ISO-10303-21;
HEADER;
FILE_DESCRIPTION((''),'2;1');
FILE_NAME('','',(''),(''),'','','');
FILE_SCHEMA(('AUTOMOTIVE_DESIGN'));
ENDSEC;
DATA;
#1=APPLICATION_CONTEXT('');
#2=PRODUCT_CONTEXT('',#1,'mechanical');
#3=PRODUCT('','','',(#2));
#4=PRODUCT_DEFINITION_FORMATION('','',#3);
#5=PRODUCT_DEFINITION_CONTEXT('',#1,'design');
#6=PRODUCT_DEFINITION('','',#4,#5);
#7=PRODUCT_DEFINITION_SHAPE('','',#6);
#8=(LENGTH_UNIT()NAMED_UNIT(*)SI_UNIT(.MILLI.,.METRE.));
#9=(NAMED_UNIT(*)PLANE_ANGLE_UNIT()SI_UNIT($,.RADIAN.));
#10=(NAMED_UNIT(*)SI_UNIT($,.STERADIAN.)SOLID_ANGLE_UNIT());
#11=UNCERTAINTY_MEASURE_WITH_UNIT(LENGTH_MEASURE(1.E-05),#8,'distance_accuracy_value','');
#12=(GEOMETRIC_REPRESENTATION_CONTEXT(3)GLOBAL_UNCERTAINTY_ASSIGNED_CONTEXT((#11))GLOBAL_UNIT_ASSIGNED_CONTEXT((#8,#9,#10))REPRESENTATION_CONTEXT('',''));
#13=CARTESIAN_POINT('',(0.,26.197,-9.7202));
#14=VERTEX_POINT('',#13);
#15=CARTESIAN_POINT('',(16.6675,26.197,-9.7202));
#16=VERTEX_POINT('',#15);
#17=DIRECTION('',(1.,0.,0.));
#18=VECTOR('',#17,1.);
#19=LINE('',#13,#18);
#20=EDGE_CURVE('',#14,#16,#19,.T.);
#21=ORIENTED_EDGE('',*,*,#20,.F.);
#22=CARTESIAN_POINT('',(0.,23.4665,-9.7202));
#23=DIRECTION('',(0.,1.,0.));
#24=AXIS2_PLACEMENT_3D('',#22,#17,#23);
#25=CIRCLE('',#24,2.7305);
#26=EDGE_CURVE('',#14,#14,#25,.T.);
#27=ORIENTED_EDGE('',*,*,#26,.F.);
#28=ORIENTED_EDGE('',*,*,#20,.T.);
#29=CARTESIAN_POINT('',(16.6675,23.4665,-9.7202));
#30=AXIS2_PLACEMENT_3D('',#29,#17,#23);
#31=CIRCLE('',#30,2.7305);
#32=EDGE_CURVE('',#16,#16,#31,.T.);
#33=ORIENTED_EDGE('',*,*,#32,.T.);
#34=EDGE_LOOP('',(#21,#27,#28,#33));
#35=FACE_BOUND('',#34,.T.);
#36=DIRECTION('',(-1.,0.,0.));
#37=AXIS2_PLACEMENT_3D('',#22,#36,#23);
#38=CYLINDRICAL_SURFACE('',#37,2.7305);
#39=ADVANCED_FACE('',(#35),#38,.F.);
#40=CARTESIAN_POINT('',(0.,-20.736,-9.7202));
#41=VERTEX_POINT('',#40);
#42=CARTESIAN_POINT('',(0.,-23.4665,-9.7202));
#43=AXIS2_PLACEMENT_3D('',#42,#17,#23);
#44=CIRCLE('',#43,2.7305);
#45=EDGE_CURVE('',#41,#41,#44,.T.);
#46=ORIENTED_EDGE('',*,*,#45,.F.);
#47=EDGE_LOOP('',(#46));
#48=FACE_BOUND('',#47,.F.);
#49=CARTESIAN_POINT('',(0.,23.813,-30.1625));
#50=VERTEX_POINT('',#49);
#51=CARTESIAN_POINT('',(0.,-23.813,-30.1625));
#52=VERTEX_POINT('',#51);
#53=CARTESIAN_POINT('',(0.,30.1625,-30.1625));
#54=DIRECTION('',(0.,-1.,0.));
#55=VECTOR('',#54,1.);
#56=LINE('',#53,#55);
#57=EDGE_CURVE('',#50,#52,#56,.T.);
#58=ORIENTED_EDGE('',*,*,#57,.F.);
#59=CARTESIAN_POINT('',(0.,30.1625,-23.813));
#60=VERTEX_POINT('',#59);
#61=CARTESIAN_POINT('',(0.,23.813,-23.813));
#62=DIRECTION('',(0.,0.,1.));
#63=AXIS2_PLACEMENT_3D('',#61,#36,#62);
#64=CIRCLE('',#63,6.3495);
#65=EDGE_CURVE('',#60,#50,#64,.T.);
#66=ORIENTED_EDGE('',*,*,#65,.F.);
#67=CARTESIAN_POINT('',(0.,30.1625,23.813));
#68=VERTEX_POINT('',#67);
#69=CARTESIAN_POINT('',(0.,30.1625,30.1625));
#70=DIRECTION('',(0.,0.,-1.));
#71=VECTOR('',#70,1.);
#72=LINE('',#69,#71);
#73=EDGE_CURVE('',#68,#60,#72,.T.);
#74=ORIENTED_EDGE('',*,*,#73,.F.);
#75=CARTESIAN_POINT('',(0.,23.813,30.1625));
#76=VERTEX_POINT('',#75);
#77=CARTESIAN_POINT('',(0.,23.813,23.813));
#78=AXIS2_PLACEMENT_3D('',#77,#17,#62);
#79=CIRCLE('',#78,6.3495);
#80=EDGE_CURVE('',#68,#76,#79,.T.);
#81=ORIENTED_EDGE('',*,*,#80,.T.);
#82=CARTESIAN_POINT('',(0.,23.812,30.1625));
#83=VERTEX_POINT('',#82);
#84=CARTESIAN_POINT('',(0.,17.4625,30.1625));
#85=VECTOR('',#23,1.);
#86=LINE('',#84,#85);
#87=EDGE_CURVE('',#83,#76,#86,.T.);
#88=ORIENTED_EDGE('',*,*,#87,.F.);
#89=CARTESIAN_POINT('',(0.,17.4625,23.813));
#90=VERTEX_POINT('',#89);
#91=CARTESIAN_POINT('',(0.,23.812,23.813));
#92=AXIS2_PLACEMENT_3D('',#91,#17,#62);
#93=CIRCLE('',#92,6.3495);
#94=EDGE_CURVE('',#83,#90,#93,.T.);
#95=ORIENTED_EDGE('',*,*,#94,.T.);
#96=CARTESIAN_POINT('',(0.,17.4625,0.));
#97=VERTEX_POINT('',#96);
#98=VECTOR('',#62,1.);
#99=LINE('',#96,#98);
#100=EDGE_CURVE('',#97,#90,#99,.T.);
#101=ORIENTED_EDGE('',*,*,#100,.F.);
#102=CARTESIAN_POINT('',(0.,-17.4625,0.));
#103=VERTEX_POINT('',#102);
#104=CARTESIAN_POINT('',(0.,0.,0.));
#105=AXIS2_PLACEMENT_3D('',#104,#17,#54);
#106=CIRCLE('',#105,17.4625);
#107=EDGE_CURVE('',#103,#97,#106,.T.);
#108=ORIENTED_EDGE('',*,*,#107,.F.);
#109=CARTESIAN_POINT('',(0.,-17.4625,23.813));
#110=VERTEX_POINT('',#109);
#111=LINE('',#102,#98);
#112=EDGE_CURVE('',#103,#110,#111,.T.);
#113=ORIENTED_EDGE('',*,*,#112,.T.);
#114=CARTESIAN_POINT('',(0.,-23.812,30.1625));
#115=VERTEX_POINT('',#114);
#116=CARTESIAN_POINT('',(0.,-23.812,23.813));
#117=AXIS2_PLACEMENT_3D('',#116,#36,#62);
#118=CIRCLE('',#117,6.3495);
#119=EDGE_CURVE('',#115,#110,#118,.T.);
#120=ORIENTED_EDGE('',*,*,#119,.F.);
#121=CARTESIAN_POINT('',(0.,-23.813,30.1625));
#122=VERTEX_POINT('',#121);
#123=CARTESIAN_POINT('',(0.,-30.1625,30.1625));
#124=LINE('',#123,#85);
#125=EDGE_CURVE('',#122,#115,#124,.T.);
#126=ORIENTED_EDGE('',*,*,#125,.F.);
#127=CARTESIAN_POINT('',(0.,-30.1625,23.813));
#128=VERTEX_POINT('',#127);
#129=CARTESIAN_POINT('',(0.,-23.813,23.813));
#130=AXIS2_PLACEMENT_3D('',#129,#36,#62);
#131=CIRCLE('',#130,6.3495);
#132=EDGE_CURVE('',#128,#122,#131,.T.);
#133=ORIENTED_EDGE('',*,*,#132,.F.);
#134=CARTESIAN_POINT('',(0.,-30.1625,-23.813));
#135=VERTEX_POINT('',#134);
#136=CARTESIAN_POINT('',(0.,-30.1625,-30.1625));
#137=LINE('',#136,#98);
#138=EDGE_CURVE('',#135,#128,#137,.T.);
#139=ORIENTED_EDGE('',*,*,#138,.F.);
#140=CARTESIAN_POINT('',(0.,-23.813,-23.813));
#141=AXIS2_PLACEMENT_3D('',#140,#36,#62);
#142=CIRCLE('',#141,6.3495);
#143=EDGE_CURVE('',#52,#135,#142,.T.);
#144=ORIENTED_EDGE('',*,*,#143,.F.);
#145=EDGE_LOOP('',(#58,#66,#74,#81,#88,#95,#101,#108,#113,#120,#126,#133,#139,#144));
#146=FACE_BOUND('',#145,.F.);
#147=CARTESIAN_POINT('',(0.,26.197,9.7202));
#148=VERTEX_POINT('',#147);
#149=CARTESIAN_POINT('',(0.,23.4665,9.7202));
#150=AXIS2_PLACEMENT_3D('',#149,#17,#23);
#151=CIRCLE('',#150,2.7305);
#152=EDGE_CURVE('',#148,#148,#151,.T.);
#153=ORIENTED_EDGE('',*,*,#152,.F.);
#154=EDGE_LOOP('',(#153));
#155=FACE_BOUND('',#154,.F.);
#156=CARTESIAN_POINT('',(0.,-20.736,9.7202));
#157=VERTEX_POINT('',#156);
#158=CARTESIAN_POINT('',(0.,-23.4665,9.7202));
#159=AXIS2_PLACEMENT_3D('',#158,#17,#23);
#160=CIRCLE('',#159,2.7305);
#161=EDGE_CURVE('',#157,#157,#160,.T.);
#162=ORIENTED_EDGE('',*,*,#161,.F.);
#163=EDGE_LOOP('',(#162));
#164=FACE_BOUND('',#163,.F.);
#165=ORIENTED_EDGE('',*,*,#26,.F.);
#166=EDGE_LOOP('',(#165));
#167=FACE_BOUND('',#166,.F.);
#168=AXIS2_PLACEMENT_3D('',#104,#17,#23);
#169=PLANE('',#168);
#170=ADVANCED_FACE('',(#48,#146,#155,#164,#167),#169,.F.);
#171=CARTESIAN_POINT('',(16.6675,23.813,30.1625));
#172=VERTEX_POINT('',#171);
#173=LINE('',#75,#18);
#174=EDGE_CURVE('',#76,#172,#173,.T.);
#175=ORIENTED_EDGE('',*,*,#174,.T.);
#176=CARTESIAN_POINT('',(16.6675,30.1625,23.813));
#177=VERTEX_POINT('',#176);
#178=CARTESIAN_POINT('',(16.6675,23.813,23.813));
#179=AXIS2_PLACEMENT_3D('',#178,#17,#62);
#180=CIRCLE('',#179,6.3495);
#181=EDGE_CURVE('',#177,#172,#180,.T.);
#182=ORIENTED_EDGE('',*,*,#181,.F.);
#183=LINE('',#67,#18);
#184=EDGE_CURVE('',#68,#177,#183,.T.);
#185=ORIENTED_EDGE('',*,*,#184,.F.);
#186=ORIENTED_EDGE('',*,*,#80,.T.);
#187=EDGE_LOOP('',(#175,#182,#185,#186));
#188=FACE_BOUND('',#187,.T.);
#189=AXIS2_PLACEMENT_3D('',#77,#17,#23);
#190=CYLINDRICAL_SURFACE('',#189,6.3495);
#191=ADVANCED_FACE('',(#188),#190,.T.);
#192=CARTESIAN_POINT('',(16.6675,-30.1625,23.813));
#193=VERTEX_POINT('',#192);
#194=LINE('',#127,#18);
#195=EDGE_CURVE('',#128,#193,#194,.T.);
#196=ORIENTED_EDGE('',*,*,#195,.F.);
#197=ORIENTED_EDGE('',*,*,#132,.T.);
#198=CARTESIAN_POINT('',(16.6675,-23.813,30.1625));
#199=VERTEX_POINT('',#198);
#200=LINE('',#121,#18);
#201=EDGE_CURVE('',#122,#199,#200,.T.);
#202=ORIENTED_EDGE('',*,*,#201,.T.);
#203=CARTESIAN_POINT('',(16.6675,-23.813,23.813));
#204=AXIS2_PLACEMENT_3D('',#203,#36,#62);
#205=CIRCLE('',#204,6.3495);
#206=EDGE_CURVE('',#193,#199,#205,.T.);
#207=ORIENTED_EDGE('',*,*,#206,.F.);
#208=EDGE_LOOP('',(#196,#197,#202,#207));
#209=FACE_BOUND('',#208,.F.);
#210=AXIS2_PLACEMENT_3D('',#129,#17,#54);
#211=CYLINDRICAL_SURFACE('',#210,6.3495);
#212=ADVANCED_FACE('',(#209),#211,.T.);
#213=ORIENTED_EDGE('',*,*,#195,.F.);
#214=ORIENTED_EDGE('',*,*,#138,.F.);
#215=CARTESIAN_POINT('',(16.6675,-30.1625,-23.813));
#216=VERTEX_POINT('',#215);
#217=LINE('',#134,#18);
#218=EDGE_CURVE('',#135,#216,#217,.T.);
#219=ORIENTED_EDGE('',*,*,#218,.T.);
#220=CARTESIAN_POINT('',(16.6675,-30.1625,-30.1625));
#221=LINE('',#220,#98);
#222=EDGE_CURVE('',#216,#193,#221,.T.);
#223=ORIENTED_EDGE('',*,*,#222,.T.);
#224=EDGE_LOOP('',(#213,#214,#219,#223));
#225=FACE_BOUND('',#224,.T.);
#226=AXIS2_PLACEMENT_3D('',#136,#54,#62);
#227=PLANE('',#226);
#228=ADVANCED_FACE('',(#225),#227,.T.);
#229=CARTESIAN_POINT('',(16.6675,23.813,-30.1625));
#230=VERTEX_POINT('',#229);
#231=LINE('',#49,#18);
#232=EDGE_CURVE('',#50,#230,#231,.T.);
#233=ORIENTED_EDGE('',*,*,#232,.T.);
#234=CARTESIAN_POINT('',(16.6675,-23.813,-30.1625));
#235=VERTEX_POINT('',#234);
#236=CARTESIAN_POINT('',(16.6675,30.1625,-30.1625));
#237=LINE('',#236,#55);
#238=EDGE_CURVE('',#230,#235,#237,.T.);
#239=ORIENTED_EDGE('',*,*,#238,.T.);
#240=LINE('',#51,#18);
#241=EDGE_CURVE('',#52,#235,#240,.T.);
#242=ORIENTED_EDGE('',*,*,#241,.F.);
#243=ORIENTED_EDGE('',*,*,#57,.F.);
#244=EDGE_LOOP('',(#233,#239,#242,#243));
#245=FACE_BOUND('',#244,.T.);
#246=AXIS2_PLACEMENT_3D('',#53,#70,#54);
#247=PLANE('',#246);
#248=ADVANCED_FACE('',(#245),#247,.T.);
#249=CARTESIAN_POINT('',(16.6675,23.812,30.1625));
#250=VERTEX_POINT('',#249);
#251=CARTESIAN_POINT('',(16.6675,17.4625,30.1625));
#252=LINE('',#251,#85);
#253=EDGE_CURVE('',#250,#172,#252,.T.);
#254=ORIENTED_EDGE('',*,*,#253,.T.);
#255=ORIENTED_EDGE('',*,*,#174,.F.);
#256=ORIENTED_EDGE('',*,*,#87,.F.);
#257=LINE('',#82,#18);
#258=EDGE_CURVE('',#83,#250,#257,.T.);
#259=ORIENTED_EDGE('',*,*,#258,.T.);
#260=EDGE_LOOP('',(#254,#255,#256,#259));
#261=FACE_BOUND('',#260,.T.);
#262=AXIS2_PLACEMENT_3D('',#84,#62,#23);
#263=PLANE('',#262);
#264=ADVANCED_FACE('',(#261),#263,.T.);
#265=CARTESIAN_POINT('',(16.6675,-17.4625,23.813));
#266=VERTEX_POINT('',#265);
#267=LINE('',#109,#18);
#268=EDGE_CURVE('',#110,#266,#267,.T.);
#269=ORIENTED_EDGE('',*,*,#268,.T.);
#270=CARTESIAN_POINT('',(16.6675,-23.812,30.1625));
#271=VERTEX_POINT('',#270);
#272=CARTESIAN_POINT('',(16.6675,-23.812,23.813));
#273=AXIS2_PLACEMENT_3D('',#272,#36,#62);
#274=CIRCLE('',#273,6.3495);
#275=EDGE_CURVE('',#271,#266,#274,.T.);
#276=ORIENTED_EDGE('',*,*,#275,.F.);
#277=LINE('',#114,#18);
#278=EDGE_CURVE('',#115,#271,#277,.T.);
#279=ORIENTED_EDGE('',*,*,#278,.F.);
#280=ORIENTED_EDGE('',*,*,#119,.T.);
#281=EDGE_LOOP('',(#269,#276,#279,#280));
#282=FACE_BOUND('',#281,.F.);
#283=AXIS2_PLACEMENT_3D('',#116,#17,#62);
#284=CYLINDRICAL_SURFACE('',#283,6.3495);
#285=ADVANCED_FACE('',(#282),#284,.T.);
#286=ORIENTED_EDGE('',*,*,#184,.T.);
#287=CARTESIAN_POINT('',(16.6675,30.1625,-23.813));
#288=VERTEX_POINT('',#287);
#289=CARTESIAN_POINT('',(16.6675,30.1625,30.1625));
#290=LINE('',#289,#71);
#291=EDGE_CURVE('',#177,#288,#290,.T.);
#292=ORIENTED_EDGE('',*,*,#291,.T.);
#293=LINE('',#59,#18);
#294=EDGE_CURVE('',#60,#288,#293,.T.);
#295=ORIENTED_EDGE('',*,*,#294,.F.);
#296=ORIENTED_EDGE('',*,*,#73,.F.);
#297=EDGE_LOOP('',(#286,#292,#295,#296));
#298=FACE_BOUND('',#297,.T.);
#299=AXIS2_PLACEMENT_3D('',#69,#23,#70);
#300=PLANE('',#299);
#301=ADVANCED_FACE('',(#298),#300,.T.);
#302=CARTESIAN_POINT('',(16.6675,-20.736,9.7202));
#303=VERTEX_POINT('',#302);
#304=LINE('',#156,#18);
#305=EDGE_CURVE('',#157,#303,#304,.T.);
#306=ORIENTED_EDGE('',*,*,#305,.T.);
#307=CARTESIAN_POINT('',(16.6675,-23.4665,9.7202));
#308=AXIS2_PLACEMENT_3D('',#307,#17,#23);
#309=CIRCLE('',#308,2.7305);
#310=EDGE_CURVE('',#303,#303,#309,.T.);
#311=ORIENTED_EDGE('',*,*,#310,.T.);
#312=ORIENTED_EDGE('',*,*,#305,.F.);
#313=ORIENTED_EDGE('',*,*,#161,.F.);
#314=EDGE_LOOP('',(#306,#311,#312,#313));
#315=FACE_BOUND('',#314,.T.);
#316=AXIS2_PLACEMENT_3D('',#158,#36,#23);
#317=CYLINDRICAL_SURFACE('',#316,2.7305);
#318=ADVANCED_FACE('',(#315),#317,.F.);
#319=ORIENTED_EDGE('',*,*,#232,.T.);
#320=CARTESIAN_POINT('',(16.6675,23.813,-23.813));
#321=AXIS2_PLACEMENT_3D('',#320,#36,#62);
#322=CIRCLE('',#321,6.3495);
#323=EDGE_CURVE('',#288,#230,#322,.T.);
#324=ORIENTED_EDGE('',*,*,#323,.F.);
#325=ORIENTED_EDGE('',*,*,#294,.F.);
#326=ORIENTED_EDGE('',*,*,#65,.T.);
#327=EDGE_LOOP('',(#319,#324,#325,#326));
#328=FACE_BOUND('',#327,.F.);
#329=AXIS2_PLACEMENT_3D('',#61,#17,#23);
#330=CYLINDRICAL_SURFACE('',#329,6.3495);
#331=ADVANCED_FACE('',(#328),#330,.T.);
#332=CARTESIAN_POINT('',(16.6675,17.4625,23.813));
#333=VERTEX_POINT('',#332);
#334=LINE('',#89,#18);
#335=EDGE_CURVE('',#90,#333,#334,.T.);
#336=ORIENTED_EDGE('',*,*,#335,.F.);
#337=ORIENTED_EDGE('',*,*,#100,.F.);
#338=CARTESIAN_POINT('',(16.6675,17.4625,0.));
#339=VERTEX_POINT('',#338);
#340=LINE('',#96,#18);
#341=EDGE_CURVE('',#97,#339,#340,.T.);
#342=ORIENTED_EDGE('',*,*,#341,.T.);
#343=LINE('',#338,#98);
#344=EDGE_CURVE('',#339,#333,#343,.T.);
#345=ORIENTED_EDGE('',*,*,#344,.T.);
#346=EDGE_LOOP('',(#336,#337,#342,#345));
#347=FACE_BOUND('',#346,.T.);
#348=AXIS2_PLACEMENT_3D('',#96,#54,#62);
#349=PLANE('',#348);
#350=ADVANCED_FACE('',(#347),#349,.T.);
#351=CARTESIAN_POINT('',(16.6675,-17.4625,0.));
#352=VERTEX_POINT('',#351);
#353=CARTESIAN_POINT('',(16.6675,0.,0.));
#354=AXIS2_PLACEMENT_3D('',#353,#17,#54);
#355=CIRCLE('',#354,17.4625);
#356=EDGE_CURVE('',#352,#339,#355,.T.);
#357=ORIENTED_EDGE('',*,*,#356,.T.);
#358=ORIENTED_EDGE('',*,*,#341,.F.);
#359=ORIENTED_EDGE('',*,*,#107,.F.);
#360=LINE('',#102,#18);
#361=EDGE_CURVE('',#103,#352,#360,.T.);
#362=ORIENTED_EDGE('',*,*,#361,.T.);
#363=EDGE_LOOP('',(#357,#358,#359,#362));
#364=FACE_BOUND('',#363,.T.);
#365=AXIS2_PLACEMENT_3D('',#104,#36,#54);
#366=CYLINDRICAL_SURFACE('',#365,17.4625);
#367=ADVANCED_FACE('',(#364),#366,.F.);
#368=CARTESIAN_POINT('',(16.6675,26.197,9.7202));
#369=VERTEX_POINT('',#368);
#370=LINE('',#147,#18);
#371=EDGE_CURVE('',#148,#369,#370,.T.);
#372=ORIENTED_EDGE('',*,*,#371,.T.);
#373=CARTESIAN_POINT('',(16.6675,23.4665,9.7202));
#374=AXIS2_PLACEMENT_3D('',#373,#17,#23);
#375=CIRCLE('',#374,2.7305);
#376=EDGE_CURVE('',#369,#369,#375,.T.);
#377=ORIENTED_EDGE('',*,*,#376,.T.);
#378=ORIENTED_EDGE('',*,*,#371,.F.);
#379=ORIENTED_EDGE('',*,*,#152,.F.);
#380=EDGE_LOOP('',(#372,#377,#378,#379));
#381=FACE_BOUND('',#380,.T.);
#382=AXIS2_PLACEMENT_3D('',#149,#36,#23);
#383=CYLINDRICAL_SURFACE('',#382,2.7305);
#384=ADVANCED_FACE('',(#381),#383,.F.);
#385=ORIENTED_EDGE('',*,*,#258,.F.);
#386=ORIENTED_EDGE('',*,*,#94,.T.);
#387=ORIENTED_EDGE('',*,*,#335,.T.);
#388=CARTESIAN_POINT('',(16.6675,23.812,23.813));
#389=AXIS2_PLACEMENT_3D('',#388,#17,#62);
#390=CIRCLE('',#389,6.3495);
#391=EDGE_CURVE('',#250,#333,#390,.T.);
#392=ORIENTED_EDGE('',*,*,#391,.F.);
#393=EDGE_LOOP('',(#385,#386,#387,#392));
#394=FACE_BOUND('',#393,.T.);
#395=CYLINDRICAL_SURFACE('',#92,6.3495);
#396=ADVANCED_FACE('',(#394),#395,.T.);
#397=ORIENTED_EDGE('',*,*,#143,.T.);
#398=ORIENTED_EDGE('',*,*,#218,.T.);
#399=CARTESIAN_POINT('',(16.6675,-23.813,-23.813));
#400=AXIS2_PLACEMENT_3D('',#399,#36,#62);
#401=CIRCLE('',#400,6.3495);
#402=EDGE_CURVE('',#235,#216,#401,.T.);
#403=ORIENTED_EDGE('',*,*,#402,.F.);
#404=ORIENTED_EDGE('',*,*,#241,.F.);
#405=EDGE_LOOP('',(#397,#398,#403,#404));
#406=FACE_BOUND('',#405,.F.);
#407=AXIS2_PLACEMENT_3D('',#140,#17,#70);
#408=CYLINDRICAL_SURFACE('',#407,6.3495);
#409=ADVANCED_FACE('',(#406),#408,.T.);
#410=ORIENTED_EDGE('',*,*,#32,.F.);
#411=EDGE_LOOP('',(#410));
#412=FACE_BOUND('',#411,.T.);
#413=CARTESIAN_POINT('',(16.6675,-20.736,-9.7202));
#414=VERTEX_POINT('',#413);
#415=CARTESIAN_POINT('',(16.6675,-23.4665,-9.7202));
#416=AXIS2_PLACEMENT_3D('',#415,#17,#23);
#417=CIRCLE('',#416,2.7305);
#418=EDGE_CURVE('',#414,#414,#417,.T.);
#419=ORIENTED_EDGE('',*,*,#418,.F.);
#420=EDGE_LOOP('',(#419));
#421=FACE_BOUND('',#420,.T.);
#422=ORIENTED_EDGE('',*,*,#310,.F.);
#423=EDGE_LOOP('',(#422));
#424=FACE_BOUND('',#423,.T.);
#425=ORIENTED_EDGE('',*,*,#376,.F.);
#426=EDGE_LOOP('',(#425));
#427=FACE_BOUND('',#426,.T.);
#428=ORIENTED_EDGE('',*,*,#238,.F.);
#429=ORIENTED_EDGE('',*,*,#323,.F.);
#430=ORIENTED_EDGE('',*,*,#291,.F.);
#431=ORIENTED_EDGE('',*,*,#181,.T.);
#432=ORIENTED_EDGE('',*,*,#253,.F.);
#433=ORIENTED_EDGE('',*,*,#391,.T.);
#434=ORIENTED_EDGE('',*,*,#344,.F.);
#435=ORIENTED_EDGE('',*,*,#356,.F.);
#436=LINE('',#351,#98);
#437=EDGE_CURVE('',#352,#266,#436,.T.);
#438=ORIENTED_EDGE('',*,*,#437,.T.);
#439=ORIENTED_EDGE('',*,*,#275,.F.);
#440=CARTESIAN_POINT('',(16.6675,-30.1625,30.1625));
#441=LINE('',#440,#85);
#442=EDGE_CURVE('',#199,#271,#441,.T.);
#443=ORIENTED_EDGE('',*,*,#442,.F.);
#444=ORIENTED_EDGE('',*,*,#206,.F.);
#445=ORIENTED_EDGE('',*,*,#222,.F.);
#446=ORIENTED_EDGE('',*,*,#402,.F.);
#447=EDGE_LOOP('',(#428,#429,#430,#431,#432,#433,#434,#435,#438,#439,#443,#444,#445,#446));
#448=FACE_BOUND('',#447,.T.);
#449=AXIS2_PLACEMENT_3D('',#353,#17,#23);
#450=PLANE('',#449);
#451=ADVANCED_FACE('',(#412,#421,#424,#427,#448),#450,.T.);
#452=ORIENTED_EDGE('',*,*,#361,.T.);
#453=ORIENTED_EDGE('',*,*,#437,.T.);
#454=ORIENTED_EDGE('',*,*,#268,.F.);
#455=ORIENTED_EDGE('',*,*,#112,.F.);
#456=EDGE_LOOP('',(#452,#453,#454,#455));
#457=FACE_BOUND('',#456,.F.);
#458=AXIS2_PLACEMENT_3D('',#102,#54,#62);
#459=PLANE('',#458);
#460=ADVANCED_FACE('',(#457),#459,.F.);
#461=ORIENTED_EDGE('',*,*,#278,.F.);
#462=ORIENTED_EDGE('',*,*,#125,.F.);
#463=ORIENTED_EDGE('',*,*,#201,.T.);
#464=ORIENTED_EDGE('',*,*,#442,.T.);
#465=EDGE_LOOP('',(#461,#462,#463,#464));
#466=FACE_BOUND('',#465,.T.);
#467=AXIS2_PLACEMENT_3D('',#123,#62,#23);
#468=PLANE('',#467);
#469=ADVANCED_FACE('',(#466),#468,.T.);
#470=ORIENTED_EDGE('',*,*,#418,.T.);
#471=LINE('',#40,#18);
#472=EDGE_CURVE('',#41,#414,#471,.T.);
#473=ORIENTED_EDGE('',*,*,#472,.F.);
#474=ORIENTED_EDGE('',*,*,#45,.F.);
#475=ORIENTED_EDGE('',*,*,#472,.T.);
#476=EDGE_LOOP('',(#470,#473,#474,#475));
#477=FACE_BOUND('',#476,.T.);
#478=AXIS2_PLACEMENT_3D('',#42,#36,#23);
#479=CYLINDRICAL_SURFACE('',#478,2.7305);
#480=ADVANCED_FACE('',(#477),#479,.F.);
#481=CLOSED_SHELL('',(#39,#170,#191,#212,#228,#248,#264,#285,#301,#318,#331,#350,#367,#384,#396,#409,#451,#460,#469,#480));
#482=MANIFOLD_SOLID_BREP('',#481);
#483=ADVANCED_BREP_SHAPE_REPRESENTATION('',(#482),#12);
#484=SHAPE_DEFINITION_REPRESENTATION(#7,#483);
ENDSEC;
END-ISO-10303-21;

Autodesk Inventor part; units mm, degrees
ref_plane "YZ Plane" through (0, 0, 0) normal (1, 0, 0) x (0, 1, 0)
ref_plane "XZ Plane" through (0, 0, 0) normal (0, 1, 0) x (-1, 0, 0)
ref_plane "XY Plane" through (0, 0, 0) normal (0, 0, 1) x (1, 0, 0)
sketch "Sketch2" plane through (0, 0, 0) normal (1, 0, 0) x (0, 1, 0)
  line L0 (30.1625, 30.1625) -> (30.1625, -30.1625)
  line L1 (30.1625, -30.1625) -> (-30.1625, -30.1625)
  line L2 (-30.1625, -30.1625) -> (-30.1625, 30.1625)
  line L3 (-30.1625, 30.1625) -> (30.1625, -30.1625) construction
  line L4 (30.1625, 30.1625) -> (-30.1625, -30.1625) construction
  arc A0 (-17.4625, 0) -> (17.4625, 0) centre (0, 0) ccw
  circle A1 centre (-23.4665, 9.7202) radius 2.7305
  circle A2 centre (-23.4665, -9.7202) radius 2.7305
  circle A3 centre (-9.7202, -23.4665) radius 2.7305
  circle A4 centre (9.7202, -23.4665) radius 2.7305
  circle A5 centre (23.4665, -9.7202) radius 2.7305
  circle A6 centre (23.4665, 9.7202) radius 2.7305
  circle A7 centre (9.7202, 23.4665) radius 2.7305
  circle A8 centre (-9.7202, 23.4665) radius 2.7305
  line L5 (-17.4625, 0) -> (-17.4625, 30.1625)
  line L6 (17.4625, 0) -> (17.4625, 30.1625)
  line L7 (-30.1625, 30.1625) -> (-17.4625, 30.1625)
  line L8 (17.4625, 30.1625) -> (30.1625, 30.1625)
  dimension "d14" = 25.4
  dimension "d19" = 34.925
  dimension "d20" = 60.325
  dimension "d21" = 5.461
  dimension "d24" = 360
extrude "Extrusion1" add sketch "Sketch2" along normal blind 16.6675 contours L0 L1 L2 L7 L5 A0 L6 L8 | A3 | A4
fillet "Fillet1" radius 6.35 6 edges at (8.3337, 30.1625, -30.1625) (8.3337, 30.1625, 30.1625) (8.3337, 17.4625, 30.1625) (8.3337, -17.4625, 30.1625) (8.3337, -30.1625, 30.1625) (8.3337, -30.1625, -30.1625)
properties part number "3DPRINT,KICKER,MOTOR,MOUNT" material "Nylon 6/6"
